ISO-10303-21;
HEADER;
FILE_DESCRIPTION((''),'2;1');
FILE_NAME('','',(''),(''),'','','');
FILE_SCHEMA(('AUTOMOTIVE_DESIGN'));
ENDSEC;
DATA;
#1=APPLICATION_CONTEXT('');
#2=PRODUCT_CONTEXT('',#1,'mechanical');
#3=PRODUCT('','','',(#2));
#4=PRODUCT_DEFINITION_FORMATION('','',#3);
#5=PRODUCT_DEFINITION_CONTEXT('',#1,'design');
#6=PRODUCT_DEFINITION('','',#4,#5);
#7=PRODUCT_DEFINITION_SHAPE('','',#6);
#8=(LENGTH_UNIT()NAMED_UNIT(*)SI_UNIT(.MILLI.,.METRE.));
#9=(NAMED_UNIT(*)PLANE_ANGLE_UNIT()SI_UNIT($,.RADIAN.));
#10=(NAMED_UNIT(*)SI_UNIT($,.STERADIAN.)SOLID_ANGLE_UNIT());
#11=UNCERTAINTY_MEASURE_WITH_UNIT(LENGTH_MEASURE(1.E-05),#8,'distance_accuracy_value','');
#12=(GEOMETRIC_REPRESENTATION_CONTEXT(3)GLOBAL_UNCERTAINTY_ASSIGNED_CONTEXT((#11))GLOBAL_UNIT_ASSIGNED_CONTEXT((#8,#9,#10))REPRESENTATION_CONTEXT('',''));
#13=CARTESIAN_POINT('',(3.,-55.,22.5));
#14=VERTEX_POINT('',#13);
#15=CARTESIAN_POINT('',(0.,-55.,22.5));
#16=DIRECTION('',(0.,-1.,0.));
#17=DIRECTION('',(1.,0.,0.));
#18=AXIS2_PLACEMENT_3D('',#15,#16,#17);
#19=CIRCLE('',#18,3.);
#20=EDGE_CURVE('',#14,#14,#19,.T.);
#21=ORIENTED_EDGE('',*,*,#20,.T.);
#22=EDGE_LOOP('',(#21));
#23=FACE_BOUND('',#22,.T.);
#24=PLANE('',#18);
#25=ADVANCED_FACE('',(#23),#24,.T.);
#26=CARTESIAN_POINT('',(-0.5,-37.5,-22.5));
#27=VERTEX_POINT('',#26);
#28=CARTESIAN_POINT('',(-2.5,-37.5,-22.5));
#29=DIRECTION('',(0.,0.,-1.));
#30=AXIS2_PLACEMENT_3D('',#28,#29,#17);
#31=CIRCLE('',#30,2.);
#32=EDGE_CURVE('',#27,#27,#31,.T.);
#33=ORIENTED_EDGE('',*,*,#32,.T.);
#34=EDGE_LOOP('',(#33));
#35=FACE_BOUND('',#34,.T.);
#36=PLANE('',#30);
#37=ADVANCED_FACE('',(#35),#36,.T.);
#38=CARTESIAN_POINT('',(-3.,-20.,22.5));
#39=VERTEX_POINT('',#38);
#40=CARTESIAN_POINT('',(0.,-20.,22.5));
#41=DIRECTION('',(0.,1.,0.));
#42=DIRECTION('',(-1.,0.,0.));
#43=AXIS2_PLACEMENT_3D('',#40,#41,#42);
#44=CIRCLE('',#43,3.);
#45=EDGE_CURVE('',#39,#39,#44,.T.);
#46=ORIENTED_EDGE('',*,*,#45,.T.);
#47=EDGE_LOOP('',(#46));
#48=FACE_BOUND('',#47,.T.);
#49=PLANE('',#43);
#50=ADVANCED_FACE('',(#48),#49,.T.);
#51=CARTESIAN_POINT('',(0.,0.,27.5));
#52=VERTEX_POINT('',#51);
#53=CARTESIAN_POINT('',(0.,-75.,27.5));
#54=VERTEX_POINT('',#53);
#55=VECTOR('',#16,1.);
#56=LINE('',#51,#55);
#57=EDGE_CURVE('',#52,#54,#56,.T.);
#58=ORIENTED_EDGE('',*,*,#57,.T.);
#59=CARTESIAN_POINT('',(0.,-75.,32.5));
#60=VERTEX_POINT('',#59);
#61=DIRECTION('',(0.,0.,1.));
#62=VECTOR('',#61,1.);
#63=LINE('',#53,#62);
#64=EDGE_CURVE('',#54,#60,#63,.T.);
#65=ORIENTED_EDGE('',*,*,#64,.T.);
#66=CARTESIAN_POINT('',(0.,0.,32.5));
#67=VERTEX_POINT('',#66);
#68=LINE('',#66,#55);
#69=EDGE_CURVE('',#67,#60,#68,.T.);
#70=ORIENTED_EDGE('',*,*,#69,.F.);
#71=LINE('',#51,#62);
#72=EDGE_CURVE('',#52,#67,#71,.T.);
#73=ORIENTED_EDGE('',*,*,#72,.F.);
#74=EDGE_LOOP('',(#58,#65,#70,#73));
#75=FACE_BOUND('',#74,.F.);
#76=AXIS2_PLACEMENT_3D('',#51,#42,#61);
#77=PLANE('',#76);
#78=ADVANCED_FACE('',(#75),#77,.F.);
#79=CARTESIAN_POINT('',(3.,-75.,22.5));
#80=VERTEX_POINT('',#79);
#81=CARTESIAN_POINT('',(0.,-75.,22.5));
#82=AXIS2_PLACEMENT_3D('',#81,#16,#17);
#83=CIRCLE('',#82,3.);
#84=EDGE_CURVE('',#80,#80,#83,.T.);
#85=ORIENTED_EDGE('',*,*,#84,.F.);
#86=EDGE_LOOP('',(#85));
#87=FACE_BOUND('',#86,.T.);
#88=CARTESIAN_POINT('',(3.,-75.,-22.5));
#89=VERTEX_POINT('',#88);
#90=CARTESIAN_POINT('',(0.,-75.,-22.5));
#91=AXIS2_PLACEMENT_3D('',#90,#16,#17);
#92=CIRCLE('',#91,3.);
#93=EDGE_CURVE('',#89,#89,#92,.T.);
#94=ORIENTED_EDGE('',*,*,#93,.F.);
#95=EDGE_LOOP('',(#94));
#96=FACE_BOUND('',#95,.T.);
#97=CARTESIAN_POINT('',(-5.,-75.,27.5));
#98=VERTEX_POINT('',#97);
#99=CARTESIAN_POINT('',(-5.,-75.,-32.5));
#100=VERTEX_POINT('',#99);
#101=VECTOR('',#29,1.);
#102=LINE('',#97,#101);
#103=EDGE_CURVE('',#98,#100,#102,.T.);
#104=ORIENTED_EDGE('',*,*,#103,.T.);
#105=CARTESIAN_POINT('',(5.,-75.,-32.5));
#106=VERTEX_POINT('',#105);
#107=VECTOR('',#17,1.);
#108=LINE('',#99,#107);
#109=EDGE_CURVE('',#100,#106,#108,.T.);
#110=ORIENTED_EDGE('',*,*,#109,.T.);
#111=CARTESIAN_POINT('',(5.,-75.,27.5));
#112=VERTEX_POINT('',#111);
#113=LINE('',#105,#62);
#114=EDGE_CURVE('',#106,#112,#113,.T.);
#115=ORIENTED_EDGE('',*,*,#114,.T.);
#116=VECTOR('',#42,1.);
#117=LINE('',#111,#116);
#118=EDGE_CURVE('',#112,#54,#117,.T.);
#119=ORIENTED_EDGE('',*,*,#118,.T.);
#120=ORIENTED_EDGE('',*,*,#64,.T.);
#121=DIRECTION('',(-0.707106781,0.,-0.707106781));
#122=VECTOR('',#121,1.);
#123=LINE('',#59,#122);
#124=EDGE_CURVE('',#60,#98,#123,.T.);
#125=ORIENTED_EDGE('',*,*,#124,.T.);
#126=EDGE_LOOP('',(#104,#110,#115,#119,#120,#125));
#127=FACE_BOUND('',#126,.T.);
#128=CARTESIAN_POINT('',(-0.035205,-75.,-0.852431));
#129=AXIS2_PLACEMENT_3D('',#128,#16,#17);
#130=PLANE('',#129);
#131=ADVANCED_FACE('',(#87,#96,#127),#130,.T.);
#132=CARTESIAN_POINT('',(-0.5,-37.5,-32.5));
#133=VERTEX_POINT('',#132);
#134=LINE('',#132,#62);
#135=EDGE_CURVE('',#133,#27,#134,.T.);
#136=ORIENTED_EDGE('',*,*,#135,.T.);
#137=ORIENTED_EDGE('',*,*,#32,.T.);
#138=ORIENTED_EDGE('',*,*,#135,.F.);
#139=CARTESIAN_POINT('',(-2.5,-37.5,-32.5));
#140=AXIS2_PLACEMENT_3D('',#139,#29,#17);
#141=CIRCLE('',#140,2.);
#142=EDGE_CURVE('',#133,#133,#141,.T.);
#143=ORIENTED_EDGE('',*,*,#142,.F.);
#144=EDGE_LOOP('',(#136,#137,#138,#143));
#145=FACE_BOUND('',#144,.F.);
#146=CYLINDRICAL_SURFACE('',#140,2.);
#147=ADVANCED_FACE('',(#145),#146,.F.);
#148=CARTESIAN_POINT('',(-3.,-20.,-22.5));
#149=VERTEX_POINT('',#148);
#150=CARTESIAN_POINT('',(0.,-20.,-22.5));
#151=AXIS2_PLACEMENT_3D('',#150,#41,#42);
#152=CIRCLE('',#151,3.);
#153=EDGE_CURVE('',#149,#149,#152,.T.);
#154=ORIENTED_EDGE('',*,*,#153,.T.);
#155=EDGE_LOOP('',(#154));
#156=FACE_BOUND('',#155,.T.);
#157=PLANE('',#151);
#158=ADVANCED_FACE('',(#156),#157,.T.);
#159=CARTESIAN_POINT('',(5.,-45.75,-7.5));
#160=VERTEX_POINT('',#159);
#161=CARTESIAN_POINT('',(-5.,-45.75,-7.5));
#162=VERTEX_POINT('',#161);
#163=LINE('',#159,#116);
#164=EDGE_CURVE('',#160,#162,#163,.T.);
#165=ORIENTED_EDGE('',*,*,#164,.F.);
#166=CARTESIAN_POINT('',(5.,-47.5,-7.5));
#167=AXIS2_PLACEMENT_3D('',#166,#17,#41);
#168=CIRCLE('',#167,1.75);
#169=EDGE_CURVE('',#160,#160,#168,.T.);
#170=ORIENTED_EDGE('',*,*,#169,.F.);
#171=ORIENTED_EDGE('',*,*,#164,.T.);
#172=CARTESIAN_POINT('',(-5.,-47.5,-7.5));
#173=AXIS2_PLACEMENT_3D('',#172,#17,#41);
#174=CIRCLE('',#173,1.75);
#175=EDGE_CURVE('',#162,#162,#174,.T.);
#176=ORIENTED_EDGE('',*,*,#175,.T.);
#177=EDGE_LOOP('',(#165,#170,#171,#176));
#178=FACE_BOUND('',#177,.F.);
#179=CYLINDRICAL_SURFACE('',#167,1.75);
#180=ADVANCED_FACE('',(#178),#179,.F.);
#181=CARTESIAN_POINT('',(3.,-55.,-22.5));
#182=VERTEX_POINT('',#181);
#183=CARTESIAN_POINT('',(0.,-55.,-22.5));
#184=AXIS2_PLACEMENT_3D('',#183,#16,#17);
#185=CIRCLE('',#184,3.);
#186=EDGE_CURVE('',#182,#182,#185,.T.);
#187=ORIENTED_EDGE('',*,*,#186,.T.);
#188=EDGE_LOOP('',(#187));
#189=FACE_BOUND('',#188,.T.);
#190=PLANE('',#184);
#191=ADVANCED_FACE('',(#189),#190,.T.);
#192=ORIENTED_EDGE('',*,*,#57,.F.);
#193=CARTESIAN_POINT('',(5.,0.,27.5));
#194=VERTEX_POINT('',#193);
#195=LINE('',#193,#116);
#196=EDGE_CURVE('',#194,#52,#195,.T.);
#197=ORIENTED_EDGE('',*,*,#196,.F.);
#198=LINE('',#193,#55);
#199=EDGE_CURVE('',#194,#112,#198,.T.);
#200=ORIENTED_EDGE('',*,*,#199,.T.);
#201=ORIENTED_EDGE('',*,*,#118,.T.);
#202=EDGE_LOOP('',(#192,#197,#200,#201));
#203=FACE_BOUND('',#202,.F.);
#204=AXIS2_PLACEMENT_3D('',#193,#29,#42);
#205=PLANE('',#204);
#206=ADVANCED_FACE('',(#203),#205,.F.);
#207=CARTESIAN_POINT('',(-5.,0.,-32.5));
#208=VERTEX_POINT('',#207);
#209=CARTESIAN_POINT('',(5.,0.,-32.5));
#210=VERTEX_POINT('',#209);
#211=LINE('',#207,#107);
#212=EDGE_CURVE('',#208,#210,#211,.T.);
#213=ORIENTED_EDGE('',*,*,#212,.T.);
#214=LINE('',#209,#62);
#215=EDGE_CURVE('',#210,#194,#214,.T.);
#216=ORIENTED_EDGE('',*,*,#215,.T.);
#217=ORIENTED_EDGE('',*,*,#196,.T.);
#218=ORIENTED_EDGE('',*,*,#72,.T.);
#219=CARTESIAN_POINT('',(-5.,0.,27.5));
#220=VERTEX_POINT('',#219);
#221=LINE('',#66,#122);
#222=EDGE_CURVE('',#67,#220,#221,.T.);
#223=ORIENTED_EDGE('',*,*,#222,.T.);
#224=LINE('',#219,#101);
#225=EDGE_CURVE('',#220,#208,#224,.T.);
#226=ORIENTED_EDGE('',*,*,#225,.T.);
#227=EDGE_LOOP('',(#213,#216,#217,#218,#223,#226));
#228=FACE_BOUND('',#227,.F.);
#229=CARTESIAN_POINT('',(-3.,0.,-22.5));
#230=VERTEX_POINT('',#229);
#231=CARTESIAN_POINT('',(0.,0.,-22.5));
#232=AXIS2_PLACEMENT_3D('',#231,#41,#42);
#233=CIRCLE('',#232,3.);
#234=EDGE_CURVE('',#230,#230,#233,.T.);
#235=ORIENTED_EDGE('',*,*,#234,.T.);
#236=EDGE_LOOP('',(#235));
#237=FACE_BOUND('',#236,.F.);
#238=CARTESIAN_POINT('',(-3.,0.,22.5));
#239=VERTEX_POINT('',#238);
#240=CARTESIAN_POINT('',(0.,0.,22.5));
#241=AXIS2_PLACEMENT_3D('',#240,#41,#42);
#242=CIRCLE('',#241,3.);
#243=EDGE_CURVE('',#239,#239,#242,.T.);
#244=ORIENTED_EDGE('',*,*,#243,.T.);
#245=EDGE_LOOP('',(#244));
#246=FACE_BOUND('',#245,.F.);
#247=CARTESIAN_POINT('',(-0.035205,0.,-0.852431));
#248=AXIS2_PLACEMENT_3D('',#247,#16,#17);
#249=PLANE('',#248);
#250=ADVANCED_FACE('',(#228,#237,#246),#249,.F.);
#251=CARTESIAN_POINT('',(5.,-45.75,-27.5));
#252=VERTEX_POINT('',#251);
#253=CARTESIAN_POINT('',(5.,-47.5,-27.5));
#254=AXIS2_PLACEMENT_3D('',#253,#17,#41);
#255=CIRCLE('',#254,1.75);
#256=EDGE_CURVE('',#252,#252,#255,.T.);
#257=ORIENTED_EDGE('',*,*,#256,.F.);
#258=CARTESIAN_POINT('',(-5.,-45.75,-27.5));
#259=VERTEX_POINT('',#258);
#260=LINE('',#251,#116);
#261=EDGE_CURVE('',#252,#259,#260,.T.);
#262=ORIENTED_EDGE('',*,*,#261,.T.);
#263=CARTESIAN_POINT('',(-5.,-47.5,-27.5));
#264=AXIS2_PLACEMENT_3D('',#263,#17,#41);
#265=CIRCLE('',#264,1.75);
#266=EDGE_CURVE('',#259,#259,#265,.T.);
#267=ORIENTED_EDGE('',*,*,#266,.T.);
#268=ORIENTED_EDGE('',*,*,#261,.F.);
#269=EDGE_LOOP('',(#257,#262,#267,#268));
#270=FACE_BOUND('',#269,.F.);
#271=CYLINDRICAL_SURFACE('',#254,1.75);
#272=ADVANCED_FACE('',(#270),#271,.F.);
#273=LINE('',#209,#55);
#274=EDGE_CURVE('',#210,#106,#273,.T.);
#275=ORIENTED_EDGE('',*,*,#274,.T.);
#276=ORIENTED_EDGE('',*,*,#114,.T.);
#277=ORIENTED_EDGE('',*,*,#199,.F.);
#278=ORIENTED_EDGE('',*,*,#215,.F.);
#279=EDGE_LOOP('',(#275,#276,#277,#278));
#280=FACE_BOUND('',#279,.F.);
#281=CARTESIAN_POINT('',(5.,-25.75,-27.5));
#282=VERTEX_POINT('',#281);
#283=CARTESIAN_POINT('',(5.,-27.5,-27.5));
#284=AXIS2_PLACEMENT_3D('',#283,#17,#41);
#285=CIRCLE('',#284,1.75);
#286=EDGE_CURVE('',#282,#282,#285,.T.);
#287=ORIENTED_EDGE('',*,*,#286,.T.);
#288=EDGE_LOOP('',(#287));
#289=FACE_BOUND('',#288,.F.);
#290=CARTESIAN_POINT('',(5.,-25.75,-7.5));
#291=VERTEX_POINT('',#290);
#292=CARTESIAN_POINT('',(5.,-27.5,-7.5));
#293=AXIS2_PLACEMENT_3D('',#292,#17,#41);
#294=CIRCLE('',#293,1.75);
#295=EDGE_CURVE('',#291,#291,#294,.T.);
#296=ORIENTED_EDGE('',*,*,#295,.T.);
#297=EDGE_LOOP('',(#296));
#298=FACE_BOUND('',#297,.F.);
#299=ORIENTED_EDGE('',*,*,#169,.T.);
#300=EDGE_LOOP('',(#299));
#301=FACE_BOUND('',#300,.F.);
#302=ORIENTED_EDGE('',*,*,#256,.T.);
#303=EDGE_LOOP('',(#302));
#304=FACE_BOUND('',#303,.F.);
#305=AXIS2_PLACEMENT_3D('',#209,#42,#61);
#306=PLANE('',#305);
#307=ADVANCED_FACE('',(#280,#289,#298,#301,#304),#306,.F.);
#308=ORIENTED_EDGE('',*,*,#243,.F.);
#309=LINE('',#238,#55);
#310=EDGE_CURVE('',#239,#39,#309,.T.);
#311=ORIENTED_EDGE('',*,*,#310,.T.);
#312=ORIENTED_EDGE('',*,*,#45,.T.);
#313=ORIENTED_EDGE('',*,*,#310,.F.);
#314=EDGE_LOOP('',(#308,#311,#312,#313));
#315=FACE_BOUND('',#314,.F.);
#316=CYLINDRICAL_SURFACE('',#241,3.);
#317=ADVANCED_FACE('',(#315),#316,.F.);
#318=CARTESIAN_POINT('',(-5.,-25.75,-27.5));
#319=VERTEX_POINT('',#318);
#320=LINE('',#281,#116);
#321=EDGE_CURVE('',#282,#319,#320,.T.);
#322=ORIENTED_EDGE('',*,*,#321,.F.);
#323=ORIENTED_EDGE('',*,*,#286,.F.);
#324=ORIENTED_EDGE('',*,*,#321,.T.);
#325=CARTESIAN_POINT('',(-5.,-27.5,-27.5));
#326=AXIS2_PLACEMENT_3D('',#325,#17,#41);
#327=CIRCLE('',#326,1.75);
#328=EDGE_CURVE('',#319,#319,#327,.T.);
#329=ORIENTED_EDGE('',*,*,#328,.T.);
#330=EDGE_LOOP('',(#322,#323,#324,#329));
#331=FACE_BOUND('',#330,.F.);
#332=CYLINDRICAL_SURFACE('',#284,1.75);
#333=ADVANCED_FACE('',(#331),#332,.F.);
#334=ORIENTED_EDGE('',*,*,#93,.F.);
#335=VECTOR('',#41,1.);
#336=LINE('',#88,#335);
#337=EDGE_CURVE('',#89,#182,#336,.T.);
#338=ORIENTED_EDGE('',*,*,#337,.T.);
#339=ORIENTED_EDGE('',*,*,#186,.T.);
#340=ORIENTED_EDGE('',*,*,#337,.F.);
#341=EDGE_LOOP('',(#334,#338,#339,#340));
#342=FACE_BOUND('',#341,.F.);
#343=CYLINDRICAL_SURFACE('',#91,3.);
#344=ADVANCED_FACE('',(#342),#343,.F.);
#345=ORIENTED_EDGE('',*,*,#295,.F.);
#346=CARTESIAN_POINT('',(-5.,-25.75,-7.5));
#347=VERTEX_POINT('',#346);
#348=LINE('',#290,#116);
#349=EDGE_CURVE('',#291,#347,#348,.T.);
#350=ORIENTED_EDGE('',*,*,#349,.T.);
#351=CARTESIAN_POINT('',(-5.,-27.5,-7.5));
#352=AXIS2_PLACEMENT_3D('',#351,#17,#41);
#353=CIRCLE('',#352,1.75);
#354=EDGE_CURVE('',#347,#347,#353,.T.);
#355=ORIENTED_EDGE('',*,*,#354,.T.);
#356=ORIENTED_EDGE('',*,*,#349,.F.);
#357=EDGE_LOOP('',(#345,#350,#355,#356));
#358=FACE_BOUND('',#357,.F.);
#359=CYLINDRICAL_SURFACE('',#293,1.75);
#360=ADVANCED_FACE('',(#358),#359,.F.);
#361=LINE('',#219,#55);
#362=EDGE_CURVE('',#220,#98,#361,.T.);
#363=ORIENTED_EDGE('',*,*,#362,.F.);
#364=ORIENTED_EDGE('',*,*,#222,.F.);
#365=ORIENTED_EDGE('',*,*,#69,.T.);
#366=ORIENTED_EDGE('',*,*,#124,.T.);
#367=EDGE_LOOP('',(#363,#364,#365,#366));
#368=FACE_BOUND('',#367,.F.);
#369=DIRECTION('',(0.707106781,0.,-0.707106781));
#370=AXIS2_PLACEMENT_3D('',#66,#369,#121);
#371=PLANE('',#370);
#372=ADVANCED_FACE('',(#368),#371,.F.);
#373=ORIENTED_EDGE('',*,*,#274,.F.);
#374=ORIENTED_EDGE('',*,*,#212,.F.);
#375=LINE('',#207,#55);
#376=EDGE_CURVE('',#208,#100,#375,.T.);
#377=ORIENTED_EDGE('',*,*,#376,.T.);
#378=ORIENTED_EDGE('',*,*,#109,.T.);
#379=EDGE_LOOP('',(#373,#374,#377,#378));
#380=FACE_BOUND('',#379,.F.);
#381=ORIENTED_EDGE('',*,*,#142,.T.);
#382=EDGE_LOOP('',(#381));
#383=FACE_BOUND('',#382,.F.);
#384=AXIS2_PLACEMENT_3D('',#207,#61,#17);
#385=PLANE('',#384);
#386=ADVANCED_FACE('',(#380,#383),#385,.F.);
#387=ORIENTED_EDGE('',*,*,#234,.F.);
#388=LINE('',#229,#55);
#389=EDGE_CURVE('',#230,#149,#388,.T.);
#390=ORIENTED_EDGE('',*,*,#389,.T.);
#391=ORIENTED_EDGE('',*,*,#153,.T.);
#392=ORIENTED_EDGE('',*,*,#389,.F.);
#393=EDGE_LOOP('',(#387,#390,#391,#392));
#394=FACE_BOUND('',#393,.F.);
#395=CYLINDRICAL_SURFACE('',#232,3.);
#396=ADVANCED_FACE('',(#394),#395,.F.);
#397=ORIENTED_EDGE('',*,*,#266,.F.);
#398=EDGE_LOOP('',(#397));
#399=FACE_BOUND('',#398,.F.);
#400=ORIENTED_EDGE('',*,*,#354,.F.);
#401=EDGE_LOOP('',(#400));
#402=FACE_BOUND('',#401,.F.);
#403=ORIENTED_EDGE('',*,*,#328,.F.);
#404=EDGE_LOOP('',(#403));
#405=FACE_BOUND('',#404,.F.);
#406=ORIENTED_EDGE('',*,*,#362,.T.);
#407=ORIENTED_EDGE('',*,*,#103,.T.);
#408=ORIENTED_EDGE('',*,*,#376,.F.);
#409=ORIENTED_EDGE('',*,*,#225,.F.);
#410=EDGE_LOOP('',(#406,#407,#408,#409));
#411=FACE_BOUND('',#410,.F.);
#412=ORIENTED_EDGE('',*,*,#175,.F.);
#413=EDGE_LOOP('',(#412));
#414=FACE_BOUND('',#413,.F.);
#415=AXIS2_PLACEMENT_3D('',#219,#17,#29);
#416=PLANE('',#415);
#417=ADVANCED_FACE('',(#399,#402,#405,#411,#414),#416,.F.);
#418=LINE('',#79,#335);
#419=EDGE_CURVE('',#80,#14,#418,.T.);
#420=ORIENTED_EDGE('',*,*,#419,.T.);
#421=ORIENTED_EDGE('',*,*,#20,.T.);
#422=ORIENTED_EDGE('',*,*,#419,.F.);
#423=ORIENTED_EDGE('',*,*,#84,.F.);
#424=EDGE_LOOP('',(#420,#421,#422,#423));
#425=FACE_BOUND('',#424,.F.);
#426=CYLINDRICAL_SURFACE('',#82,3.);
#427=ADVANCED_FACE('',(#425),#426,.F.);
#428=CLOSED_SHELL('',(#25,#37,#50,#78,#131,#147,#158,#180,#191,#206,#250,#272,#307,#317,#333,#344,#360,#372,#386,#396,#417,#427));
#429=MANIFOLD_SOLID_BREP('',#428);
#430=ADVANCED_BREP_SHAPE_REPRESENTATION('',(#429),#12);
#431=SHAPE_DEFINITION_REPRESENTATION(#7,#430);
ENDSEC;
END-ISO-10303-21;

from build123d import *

# Parameters (mm, degrees)
F1_DEPTH  = 75
F3_R      = 1.75
F4_DEPTH  = 25
F6_R      = 3
F7_DEPTH  = 20
F8_R      = 3
F9_DEPTH  = 20
F10_R     = 3
F11_DEPTH = 20
F12_R     = 3
F13_DEPTH = 20
F2_R      = 2
F14_DEPTH = 10
F15_DEPTH = 25
F16_DEPTH = 25
F17_DEPTH = 25


with BuildPart() as f1:
    # F0 (on Front) → F1 (new body)
    with BuildSketch(Plane.XZ):
        Polygon((-5, 27.5), (-5, -32.5), (5, -32.5), (5, 27.5), (0, 27.5), (0, 32.5), align=None)
    extrude(amount=F1_DEPTH)

    # F3 (on face) → F4 (cut)
    with BuildSketch(Plane.YZ.offset(5)):
        with Locations((-27.5, -7.5)):
            Circle(F3_R)
        with Locations((-47.5, -7.5)):
            Circle(F3_R)
        with Locations((-27.5, -27.5)):
            Circle(F3_R)
        with Locations((-47.5, -27.5)):
            Circle(F3_R)
    extrude(amount=-F4_DEPTH, mode=Mode.SUBTRACT)

    # F6 (on face) → F7 (cut)
    with BuildSketch(Plane(origin=(0, 0, 0), x_dir=(-1, 0, 0), z_dir=(0, 1, 0))):
        with Locations((0, -22.5)):
            Circle(F6_R)
    extrude(amount=-F7_DEPTH, mode=Mode.SUBTRACT)

    # F8 (on face) → F9 (cut)
    with BuildSketch(Plane.XZ.offset(75)):
        with Locations((0, 22.5)):
            Circle(F8_R)
    extrude(amount=-F9_DEPTH, mode=Mode.SUBTRACT)

    # F10 (on face) → F11 (cut)
    with BuildSketch(Plane.XZ.offset(75)):
        with Locations((0, -22.5)):
            Circle(F10_R)
    extrude(amount=-F11_DEPTH, mode=Mode.SUBTRACT)

    # F12 (on face) → F13 (cut)
    with BuildSketch(Plane(origin=(0, 0, 0), x_dir=(-1, 0, 0), z_dir=(0, 1, 0))):
        with Locations((0, 22.5)):
            Circle(F12_R)
    extrude(amount=-F13_DEPTH, mode=Mode.SUBTRACT)

    # F2 (on face) → F14 (cut)
    with BuildSketch(Plane(origin=(0, 0, -32.5), x_dir=(1, 0, 0), z_dir=(0, 0, -1))):
        with Locations((-2.5, 37.5)):
            Circle(F2_R)
    extrude(amount=-F14_DEPTH, mode=Mode.SUBTRACT)

    # F3 (on face) → F15 (cut)
    with BuildSketch(Plane.YZ.offset(5)):
        with Locations((-27.5, -7.5)):
            Circle(F3_R)
        with Locations((-47.5, -7.5)):
            Circle(F3_R)
        with Locations((-27.5, -27.5)):
            Circle(F3_R)
        with Locations((-47.5, -27.5)):
            Circle(F3_R)
    extrude(amount=-F15_DEPTH, mode=Mode.SUBTRACT)

    # F3 (on face) → F16 (cut)
    with BuildSketch(Plane.YZ.offset(5)):
        with Locations((-27.5, -7.5)):
            Circle(F3_R)
        with Locations((-47.5, -7.5)):
            Circle(F3_R)
        with Locations((-27.5, -27.5)):
            Circle(F3_R)
        with Locations((-47.5, -27.5)):
            Circle(F3_R)
    extrude(amount=-F16_DEPTH, mode=Mode.SUBTRACT)

    # F3 (on face) → F17 (cut)
    with BuildSketch(Plane.YZ.offset(5)):
        with Locations((-27.5, -7.5)):
            Circle(F3_R)
        with Locations((-47.5, -7.5)):
            Circle(F3_R)
        with Locations((-27.5, -27.5)):
            Circle(F3_R)
        with Locations((-47.5, -27.5)):
            Circle(F3_R)
    extrude(amount=-F17_DEPTH, mode=Mode.SUBTRACT)


solid = f1.part
